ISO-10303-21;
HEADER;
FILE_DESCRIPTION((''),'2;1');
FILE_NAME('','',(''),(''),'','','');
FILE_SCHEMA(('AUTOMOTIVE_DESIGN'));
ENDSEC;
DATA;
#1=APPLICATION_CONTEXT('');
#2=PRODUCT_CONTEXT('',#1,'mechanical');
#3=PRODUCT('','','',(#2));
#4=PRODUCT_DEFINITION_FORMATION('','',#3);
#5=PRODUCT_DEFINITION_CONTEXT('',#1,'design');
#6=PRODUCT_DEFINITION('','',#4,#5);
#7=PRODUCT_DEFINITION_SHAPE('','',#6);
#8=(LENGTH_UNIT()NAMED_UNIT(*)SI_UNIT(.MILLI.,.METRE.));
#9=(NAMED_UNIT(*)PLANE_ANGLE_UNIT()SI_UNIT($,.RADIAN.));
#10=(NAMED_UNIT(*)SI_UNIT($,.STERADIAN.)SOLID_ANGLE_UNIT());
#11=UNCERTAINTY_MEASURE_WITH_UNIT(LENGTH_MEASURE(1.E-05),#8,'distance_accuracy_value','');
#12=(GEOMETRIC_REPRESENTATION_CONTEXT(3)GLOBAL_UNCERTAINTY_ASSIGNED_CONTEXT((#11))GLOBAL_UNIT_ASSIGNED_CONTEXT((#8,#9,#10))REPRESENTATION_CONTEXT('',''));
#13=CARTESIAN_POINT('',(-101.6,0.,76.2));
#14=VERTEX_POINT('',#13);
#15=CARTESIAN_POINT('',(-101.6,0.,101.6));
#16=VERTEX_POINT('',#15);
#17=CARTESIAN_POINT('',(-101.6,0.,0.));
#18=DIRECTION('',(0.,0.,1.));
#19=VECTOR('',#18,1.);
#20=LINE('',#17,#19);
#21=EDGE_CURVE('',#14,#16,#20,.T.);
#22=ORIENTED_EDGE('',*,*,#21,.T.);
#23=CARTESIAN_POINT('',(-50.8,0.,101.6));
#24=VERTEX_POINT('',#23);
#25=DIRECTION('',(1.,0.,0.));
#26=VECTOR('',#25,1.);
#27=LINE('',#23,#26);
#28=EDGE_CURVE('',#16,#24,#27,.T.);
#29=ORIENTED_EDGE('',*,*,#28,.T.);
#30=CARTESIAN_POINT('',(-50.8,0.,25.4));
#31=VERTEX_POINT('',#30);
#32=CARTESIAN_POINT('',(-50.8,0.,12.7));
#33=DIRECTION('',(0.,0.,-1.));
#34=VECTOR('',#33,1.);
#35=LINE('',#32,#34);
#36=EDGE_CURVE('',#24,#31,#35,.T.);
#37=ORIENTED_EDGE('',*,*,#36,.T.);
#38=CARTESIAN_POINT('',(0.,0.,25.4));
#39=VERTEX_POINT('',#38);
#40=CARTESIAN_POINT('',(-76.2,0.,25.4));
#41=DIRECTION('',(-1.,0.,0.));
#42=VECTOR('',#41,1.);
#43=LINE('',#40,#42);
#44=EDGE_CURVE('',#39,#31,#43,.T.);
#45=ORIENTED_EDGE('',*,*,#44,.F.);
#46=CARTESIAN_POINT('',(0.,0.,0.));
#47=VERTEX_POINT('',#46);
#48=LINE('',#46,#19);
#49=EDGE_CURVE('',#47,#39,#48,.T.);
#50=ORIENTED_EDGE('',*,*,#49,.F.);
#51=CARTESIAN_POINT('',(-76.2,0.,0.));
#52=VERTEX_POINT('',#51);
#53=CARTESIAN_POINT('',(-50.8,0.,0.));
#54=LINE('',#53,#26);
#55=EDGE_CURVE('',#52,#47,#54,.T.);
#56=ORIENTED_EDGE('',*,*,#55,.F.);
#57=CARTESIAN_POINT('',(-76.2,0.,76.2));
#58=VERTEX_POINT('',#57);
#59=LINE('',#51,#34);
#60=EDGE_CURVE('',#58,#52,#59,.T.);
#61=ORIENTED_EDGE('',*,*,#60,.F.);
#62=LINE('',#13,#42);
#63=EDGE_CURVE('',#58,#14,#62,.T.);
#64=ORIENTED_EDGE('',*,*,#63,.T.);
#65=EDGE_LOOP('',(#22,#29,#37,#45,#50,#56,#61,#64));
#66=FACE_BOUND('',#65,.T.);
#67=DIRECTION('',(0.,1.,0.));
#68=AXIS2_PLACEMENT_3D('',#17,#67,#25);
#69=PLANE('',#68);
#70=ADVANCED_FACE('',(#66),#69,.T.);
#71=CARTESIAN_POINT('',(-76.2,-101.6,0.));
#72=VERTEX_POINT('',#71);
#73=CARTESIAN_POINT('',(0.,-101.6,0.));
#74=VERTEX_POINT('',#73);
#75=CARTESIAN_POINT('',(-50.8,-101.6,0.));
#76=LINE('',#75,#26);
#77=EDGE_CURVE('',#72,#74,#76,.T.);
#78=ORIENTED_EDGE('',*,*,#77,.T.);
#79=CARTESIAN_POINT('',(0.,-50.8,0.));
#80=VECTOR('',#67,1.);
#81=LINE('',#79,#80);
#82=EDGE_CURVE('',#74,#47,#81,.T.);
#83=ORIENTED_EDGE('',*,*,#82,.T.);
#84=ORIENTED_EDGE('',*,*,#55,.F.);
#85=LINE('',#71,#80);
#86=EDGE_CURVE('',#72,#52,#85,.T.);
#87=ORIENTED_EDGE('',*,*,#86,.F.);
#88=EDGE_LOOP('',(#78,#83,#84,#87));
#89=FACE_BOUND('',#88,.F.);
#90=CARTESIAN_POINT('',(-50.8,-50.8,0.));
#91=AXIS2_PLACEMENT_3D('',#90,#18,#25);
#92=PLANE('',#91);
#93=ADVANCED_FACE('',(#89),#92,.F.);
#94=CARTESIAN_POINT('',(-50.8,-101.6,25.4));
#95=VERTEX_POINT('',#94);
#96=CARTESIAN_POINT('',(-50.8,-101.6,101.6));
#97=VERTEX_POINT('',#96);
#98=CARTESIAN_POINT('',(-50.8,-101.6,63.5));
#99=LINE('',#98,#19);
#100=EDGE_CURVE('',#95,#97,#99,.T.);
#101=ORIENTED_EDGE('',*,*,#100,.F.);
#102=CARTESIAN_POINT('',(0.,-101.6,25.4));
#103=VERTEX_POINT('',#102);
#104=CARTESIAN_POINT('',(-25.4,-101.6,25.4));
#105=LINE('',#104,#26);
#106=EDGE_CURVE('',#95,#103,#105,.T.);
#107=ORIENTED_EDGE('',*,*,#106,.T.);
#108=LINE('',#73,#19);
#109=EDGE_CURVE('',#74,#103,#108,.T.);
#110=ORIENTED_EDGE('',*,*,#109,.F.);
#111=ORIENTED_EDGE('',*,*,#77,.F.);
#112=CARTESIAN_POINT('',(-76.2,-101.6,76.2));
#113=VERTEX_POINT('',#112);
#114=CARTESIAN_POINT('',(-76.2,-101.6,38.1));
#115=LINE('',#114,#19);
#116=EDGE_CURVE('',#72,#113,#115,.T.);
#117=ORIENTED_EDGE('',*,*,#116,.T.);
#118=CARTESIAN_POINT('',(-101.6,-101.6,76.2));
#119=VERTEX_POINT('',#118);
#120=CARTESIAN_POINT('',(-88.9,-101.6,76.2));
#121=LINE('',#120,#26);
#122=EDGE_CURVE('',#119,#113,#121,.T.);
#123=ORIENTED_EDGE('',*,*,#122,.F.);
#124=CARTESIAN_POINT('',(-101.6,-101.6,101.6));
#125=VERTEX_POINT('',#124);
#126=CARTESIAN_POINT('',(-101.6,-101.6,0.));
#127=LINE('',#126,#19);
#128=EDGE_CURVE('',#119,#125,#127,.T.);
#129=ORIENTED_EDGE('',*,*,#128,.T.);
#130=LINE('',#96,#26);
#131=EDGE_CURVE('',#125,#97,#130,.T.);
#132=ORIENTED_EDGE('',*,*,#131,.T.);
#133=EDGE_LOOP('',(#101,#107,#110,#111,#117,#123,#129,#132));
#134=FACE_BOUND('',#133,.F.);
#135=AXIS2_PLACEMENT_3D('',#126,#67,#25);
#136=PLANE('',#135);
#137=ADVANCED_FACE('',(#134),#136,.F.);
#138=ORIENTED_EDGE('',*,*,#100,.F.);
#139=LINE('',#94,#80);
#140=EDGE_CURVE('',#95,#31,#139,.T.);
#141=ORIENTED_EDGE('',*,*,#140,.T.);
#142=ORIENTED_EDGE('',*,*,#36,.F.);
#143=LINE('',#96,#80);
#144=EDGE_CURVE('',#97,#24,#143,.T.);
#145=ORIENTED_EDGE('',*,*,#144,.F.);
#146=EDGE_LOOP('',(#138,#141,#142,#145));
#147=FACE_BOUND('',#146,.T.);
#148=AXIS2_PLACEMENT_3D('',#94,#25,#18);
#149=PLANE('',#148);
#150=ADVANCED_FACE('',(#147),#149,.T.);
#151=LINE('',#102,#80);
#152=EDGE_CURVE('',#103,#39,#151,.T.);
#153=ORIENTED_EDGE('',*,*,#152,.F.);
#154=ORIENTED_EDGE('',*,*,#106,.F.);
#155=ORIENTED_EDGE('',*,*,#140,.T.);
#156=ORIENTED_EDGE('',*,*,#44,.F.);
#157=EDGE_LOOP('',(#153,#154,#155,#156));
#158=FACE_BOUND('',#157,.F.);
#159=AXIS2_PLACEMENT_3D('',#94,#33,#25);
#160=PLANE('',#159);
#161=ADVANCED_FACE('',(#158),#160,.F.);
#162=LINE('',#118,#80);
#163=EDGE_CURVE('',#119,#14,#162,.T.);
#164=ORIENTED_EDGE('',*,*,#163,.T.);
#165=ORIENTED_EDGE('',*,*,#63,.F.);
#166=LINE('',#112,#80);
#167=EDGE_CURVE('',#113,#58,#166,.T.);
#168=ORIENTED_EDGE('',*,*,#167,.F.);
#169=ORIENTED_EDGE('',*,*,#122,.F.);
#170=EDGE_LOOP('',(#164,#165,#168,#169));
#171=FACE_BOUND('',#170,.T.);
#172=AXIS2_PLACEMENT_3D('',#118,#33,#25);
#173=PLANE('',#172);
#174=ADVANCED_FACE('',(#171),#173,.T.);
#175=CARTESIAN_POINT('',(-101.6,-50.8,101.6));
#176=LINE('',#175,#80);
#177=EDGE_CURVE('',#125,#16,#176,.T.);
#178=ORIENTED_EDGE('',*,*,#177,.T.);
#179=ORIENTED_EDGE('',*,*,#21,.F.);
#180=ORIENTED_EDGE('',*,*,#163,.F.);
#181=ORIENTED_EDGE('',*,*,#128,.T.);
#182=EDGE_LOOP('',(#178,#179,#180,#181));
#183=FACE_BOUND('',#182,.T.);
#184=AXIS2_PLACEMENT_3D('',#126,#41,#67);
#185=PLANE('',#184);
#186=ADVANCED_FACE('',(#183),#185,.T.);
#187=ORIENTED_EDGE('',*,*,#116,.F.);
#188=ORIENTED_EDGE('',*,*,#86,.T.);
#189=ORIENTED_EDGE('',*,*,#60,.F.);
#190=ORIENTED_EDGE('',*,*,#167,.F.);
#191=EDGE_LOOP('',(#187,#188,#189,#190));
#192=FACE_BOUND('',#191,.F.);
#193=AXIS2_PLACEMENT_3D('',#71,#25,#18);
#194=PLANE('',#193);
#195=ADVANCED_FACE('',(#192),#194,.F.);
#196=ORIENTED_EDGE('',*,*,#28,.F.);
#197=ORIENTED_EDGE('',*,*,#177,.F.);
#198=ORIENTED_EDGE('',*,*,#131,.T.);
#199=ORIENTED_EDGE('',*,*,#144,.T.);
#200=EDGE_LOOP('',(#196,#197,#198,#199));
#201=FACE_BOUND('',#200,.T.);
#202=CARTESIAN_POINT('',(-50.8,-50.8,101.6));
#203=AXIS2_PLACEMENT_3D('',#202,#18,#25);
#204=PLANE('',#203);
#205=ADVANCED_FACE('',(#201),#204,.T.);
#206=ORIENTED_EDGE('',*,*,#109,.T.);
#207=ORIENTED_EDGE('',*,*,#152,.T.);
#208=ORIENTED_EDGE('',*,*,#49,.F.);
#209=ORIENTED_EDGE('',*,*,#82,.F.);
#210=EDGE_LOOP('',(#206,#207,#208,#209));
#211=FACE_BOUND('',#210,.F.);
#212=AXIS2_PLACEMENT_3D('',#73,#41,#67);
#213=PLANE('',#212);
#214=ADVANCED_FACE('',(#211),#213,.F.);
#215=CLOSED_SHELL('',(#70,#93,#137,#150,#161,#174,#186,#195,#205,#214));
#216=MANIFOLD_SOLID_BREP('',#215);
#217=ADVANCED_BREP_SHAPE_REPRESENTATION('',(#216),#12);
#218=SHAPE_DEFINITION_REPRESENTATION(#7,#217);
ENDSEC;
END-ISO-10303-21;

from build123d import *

# Parameters (mm, degrees)
F0_W     = 101.6
F0_H     = 101.6
F1_DEPTH = 101.6
F2_W     = 25.4
F2_H     = 76.2
F2_W_2   = 50.8
F3_DEPTH = 142.24


with BuildPart() as f1:
    # F0 (on Top) → F1 (new body)
    with BuildSketch(Plane.XY):
        with Locations((-50.8, -50.8)):
            Rectangle(F0_W, F0_H)
    extrude(amount=F1_DEPTH)

    # F2 (on face) → F3 (cut)
    with BuildSketch(Plane.XZ.offset(101.6)):
        with Locations((-88.9, 38.1)):
            Rectangle(F2_W, F2_H)
        with Locations((-25.4, 63.5)):
            Rectangle(F2_W_2, F2_H)
    extrude(amount=-F3_DEPTH, mode=Mode.SUBTRACT)


solid = f1.part
